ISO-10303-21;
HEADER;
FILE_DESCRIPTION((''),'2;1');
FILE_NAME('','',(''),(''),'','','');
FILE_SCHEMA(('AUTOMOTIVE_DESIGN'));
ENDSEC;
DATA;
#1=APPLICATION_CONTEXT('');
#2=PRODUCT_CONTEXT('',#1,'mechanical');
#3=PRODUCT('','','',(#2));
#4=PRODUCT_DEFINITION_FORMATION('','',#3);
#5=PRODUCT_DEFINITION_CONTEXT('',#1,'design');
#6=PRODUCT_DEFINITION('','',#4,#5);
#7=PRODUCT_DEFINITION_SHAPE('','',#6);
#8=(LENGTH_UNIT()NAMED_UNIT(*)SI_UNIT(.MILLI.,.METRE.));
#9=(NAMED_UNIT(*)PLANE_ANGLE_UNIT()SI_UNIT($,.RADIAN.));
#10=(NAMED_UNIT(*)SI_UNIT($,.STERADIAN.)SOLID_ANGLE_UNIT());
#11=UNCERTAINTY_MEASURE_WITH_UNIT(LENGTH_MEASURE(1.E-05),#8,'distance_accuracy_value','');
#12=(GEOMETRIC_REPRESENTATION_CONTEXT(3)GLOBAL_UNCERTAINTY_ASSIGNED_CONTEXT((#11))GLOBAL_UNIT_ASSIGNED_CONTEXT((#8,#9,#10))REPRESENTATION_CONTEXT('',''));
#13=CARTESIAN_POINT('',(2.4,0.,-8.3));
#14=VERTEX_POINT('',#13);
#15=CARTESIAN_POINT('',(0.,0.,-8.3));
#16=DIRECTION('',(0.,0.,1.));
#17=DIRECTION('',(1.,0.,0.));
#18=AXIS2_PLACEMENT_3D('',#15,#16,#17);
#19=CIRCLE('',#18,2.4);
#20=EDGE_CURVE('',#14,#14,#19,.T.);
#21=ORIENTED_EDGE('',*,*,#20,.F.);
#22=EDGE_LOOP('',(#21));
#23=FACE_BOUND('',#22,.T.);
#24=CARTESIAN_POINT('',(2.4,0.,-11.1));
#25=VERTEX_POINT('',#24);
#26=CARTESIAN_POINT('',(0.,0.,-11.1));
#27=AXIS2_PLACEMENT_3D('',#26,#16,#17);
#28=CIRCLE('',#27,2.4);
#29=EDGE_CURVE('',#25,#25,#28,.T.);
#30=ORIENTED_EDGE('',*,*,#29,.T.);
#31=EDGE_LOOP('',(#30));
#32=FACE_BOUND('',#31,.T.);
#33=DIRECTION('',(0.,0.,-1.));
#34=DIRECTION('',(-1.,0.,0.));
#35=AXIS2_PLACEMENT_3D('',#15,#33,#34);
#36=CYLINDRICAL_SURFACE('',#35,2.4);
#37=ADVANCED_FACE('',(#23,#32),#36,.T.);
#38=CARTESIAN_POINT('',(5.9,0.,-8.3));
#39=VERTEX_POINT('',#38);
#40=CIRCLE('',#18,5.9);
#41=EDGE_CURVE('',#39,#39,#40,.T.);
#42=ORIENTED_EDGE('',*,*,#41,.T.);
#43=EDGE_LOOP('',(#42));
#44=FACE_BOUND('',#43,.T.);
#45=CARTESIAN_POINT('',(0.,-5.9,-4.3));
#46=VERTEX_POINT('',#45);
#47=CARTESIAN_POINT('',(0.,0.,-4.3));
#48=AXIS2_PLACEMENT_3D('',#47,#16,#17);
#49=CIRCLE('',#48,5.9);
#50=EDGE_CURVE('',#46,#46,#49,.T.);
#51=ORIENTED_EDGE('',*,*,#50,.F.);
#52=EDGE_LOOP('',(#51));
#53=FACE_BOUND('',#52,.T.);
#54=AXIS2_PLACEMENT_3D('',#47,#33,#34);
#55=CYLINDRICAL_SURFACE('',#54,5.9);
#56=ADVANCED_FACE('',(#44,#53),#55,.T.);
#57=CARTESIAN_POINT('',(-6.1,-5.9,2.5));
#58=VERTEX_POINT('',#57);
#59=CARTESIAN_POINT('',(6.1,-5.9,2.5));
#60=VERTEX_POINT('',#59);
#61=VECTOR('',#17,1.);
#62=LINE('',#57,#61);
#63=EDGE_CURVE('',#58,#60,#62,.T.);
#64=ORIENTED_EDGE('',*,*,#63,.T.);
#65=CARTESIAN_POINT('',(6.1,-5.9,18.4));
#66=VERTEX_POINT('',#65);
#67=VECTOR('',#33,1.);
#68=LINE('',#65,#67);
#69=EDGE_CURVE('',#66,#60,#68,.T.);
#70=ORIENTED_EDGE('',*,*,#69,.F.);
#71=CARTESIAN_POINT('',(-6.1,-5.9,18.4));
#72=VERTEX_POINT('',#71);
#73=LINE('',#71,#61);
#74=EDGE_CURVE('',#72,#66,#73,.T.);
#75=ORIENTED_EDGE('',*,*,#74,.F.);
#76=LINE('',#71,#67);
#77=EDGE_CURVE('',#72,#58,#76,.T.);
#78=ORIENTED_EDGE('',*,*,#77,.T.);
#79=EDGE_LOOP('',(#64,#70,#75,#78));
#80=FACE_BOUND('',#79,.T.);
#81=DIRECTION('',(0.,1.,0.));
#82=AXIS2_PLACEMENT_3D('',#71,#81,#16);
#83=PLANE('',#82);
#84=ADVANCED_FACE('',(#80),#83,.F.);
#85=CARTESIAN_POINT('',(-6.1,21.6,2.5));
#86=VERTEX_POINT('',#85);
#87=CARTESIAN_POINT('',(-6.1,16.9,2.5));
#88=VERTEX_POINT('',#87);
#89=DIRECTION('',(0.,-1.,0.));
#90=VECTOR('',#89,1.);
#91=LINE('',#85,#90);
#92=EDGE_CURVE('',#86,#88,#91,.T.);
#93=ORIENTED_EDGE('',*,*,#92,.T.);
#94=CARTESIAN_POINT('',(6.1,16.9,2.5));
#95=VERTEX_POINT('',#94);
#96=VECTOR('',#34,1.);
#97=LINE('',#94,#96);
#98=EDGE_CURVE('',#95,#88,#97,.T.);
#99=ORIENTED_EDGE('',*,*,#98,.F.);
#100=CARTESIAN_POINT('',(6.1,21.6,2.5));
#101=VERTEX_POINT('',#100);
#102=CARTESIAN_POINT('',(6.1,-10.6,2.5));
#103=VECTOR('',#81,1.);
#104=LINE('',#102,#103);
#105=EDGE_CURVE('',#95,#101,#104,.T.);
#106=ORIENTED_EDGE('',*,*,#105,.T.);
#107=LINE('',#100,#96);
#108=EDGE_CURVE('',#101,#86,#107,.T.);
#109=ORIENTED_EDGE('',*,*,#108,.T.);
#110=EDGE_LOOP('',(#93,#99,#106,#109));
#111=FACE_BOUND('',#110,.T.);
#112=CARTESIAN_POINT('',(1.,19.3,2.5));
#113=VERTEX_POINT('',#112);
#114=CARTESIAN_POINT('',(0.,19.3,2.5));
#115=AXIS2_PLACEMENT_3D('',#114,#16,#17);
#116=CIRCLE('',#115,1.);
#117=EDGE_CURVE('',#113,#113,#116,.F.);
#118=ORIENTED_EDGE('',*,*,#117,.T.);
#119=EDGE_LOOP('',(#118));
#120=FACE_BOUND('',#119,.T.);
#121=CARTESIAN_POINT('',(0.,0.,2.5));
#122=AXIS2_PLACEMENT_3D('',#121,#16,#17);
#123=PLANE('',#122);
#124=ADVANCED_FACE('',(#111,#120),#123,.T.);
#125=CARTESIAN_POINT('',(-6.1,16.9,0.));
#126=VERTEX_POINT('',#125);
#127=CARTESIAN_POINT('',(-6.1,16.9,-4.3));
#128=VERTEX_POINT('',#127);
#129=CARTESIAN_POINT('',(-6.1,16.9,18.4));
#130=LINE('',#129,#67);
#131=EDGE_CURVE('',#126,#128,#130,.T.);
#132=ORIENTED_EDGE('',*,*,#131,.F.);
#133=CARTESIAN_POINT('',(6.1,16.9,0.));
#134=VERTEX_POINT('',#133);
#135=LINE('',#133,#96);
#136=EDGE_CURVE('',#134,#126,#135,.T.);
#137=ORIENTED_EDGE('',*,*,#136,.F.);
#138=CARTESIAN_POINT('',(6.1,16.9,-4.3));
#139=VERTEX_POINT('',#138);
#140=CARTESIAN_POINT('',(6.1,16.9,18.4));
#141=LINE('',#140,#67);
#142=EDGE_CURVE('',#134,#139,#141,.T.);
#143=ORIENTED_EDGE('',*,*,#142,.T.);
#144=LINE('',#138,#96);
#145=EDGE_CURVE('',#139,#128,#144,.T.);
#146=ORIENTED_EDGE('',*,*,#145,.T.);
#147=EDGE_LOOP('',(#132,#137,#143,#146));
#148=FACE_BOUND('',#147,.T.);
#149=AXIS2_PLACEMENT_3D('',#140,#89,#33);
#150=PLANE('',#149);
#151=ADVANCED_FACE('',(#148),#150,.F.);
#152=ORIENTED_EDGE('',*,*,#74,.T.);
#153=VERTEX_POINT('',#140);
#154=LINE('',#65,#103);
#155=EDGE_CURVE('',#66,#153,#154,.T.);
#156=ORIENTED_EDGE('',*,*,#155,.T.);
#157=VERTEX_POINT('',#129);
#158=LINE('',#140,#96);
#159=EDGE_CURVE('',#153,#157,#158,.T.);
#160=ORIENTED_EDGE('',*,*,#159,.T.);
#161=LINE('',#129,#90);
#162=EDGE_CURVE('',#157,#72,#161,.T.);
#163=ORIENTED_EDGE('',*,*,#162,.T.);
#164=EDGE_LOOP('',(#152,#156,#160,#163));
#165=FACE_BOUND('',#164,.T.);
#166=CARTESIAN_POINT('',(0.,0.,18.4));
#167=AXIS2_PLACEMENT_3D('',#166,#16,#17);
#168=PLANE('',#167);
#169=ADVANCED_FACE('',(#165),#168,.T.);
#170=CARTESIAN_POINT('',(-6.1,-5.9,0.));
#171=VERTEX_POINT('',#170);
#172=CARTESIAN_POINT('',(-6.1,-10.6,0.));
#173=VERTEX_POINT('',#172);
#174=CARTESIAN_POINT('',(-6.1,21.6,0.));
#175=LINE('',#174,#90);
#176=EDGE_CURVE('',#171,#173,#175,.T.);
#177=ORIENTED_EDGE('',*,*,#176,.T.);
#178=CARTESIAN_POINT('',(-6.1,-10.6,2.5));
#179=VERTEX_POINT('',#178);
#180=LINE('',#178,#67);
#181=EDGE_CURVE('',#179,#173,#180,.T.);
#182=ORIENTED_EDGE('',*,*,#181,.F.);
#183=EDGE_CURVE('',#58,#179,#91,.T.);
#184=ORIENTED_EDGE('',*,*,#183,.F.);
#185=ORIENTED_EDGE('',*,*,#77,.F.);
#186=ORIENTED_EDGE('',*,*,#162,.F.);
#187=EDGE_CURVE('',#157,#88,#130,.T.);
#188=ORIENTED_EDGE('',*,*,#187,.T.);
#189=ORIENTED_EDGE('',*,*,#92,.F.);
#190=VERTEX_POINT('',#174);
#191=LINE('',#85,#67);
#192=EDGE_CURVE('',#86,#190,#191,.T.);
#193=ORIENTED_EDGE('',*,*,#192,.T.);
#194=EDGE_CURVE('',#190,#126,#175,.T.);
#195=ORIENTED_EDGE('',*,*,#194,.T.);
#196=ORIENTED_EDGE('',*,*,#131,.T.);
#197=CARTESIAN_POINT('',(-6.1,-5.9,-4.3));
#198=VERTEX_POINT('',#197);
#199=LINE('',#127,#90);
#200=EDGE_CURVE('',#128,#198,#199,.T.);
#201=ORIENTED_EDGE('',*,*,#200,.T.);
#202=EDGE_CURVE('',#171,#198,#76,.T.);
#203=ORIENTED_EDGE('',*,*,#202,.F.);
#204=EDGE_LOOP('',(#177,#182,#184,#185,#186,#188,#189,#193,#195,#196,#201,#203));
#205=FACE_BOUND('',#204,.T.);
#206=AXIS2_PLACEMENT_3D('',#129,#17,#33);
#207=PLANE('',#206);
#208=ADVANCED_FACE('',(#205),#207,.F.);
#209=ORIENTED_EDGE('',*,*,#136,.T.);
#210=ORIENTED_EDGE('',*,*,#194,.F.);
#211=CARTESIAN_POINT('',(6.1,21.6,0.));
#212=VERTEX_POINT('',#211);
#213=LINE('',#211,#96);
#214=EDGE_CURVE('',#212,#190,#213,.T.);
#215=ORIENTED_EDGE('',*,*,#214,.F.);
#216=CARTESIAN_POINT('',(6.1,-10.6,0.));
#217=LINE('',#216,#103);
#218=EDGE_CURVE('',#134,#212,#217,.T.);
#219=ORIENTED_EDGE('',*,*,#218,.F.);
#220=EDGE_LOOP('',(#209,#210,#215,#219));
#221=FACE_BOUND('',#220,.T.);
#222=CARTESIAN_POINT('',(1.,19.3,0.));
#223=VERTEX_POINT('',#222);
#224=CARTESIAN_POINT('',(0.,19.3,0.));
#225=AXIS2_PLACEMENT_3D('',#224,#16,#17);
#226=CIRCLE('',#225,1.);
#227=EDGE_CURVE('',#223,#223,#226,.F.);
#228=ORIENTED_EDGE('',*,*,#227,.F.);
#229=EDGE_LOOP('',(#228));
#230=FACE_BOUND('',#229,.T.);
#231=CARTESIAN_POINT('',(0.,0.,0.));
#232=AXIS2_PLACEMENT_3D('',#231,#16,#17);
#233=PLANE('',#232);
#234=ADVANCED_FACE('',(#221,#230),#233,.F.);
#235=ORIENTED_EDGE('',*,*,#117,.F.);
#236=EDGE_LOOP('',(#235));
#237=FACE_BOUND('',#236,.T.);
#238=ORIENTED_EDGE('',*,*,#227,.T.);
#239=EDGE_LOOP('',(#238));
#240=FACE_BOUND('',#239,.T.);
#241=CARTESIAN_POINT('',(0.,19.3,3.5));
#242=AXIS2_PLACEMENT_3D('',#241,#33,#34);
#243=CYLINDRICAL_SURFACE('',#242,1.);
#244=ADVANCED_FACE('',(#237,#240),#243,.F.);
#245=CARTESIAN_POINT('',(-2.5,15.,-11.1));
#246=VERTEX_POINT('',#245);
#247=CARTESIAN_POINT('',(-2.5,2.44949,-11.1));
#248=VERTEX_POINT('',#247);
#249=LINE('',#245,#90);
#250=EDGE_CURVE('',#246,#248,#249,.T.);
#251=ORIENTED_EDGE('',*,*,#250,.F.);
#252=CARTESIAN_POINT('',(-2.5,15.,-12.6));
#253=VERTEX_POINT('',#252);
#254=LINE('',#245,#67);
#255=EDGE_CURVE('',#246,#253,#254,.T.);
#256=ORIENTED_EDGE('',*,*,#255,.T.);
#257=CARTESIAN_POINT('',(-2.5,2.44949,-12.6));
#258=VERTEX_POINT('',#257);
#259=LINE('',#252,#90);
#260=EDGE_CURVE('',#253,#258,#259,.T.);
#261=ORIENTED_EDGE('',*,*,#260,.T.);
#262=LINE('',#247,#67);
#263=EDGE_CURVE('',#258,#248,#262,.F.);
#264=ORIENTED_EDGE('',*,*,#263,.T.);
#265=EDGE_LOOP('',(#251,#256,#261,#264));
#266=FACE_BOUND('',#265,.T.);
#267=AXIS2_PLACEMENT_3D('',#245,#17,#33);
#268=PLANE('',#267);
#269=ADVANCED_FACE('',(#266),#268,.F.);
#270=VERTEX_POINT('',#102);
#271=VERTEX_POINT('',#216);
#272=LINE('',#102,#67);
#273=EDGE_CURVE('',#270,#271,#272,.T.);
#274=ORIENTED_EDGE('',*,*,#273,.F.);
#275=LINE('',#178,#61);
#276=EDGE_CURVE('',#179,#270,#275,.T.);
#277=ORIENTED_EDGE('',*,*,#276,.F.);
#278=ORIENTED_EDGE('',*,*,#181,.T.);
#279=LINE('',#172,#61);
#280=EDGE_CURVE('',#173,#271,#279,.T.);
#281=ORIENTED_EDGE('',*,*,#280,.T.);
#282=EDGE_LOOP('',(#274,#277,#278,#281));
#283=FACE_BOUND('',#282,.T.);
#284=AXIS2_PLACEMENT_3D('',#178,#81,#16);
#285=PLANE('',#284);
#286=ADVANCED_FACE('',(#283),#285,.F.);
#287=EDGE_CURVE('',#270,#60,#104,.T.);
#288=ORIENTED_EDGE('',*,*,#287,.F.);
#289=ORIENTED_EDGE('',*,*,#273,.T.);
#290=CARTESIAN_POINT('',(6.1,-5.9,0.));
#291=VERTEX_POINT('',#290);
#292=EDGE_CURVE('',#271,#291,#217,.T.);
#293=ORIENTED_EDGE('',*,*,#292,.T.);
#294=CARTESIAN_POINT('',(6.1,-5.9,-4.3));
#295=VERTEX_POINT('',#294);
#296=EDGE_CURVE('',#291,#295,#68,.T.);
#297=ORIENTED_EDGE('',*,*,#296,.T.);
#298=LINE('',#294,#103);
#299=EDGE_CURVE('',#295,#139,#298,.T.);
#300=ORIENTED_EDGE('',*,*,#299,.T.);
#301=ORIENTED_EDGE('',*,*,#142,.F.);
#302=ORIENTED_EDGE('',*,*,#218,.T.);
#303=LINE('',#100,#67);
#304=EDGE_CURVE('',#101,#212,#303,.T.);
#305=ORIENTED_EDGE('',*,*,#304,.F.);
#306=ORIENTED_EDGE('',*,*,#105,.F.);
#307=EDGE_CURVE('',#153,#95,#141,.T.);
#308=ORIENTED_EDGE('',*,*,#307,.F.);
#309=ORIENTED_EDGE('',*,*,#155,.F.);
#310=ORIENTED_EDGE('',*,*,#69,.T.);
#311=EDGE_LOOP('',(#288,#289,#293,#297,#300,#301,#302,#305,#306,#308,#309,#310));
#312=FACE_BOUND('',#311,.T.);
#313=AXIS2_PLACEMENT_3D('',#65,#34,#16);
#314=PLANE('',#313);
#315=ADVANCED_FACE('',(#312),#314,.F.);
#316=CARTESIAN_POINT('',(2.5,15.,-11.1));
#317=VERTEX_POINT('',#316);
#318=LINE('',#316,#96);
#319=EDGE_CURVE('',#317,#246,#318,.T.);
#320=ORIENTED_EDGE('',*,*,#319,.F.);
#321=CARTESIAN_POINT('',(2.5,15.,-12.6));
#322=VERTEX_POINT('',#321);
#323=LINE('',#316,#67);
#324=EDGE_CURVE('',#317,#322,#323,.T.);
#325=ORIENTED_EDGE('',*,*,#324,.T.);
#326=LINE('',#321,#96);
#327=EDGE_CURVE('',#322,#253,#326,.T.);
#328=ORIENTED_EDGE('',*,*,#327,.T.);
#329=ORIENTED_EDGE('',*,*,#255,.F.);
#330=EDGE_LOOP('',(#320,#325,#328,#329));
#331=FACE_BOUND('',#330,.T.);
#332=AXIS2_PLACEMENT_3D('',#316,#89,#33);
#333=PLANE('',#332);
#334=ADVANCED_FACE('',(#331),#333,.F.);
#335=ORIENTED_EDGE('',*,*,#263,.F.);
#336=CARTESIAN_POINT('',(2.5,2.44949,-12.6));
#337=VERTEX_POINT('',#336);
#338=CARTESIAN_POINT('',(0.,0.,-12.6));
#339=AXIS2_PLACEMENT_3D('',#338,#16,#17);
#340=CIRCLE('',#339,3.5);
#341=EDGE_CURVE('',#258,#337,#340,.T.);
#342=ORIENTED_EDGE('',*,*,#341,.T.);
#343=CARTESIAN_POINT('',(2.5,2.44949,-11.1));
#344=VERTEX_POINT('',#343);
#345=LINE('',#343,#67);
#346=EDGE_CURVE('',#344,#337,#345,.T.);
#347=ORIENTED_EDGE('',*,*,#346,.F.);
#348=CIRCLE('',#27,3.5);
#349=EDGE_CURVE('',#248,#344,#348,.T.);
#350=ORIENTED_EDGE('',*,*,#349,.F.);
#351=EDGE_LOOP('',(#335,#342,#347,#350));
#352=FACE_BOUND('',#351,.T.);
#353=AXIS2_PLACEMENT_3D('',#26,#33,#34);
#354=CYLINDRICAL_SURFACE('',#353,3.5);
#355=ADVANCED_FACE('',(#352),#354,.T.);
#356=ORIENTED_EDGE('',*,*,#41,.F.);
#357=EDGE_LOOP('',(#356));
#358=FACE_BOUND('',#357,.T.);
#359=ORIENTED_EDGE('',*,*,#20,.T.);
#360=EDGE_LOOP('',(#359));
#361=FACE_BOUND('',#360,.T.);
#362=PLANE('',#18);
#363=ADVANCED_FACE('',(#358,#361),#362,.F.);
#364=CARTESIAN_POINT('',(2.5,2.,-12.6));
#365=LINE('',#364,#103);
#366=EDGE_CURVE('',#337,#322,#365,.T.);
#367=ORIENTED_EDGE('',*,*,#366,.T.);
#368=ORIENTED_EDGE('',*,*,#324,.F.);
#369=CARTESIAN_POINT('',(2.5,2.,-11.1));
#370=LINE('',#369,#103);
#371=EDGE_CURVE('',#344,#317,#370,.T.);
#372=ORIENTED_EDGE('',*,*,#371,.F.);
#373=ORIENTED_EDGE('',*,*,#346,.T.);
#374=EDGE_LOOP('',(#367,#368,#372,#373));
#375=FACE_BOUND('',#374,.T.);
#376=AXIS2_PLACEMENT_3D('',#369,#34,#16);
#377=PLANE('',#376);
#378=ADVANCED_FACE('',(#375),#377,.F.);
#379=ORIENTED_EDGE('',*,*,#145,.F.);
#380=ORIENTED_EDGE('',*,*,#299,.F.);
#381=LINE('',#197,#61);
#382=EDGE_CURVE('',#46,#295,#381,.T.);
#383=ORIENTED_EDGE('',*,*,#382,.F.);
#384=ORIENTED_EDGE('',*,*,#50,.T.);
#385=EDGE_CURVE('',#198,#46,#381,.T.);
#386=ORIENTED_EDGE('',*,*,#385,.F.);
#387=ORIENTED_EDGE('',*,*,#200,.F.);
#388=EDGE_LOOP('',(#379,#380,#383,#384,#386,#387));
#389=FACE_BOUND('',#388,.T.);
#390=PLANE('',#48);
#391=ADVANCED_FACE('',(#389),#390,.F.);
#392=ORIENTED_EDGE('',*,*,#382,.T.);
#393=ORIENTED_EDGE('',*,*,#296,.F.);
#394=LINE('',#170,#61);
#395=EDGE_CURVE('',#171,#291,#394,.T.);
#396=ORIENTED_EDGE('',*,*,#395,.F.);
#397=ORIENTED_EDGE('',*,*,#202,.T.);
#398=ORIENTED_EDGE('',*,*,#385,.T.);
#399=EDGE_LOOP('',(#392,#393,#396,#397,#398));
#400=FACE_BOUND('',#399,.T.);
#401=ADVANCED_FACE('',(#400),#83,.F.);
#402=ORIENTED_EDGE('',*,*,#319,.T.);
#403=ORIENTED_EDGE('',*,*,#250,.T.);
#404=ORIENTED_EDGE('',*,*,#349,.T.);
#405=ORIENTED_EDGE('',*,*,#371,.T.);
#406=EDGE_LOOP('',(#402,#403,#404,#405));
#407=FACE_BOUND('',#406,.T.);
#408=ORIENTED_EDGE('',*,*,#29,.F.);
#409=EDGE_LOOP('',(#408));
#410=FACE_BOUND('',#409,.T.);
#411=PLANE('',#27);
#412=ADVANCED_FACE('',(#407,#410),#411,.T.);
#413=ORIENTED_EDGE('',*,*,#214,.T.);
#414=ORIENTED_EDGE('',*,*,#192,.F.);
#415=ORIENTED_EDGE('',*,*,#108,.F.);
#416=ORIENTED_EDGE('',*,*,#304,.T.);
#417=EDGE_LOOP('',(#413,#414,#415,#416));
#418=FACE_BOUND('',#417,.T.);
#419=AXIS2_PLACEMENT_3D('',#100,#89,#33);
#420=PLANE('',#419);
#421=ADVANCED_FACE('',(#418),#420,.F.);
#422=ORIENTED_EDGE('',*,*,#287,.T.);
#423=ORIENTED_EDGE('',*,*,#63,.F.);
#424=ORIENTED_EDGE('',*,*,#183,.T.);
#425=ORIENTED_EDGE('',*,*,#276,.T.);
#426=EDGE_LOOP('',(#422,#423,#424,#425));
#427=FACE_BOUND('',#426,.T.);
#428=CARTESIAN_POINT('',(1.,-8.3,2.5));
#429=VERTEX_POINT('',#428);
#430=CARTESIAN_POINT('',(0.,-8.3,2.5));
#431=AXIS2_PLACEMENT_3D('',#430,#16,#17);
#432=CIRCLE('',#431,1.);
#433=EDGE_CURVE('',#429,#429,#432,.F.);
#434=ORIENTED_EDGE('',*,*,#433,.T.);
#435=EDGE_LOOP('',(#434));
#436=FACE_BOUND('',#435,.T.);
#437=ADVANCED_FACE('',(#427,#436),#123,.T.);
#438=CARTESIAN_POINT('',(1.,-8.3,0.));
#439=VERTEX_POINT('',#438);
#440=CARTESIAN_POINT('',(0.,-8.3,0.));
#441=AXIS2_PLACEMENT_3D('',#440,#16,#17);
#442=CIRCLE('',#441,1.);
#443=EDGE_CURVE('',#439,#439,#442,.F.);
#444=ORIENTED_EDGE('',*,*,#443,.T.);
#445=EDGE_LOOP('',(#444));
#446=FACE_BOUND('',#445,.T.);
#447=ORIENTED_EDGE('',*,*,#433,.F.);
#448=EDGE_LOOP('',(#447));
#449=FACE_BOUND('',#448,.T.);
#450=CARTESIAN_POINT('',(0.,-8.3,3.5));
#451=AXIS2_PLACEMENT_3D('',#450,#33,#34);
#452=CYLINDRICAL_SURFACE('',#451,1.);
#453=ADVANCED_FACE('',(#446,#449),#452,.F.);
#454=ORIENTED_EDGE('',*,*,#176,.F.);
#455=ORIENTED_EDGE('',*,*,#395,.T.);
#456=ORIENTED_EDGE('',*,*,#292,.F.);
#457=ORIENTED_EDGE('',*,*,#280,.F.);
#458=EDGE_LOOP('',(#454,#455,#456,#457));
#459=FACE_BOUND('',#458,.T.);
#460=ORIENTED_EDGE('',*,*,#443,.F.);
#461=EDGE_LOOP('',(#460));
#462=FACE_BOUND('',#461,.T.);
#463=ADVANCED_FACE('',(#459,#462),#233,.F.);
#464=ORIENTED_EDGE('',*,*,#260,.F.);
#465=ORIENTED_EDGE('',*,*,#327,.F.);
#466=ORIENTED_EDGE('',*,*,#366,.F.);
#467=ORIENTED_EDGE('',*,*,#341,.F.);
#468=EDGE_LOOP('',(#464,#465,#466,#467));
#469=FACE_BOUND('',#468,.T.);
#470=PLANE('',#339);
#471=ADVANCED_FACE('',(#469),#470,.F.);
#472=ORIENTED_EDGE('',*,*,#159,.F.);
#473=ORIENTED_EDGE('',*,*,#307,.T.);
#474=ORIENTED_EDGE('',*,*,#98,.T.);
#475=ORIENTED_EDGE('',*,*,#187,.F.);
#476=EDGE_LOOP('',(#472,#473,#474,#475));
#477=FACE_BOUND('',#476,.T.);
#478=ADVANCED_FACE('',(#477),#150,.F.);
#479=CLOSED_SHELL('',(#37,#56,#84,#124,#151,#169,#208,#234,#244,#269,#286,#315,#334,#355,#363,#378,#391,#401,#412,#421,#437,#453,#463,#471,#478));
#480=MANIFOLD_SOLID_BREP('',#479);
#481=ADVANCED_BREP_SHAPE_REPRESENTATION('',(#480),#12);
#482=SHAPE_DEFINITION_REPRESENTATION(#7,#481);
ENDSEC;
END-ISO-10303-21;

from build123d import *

# Parameters (mm, degrees)
CROQUIS1_W              = 12.2
CROQUIS1_H              = 22.8
SALIENTE_EXTRUIR1_DEPTH = 22.7
CROQUIS2_W              = 12.2
CROQUIS2_H              = 32.2
SALIENTE_EXTRUIR2_DEPTH = 2.5
CROQUIS3_R              = 1
CORTAR_EXTRUIR1_DEPTH   = 4.5
CROQUIS4_R              = 5.9
SALIENTE_EXTRUIR3_DEPTH = 4
CROQUIS5_R              = 2.4
SALIENTE_EXTRUIR4_DEPTH = 2.8
CROQUIS6_R              = 3.5
SALIENTE_EXTRUIR5_DEPTH = 1.5
CROQUIS7_W              = 5
CROQUIS7_H              = 13
SALIENTE_EXTRUIR6_DEPTH = 1.5


with BuildPart() as part:
    # Croquis1 → Saliente-Extruir1 (new body)
    with BuildSketch(Plane.XY.offset(-4.3)):
        with Locations((0, 5.5)):
            Rectangle(CROQUIS1_W, CROQUIS1_H)
    extrude(amount=SALIENTE_EXTRUIR1_DEPTH)

    # Croquis2 → Saliente-Extruir2 (add)
    with BuildSketch(Plane.XY):
        with Locations((0, 5.5)):
            Rectangle(CROQUIS2_W, CROQUIS2_H)
    extrude(amount=SALIENTE_EXTRUIR2_DEPTH)

    # Croquis3 → Cortar-Extruir1 (cut)
    with BuildSketch(Plane.XY.offset(-1)):
        with Locations((0, -8.3)):
            Circle(CROQUIS3_R)
        with Locations((0, 19.3)):
            Circle(CROQUIS3_R)
    extrude(amount=CORTAR_EXTRUIR1_DEPTH, mode=Mode.SUBTRACT)

    # Croquis4 → Saliente-Extruir3 (add)
    with BuildSketch(Plane.XY.offset(-8.3)):
        with Locations(Location((0, 0, 0), (0, 0, 270))):
            Circle(CROQUIS4_R)
    extrude(amount=SALIENTE_EXTRUIR3_DEPTH)

    # Croquis5 → Saliente-Extruir4 (add)
    with BuildSketch(Plane.XY.offset(-11.1)):
        Circle(CROQUIS5_R)
    extrude(amount=SALIENTE_EXTRUIR4_DEPTH)

    # Croquis6 → Saliente-Extruir5 (add)
    with BuildSketch(Plane.XY.offset(-12.6)):
        Circle(CROQUIS6_R)
    extrude(amount=SALIENTE_EXTRUIR5_DEPTH)

    # Croquis7 → Saliente-Extruir6 (add)
    with BuildSketch(Plane.XY.offset(-12.6)):
        with Locations((0, 8.5)):
            Rectangle(CROQUIS7_W, CROQUIS7_H)
    extrude(amount=SALIENTE_EXTRUIR6_DEPTH)


solid = part.part
